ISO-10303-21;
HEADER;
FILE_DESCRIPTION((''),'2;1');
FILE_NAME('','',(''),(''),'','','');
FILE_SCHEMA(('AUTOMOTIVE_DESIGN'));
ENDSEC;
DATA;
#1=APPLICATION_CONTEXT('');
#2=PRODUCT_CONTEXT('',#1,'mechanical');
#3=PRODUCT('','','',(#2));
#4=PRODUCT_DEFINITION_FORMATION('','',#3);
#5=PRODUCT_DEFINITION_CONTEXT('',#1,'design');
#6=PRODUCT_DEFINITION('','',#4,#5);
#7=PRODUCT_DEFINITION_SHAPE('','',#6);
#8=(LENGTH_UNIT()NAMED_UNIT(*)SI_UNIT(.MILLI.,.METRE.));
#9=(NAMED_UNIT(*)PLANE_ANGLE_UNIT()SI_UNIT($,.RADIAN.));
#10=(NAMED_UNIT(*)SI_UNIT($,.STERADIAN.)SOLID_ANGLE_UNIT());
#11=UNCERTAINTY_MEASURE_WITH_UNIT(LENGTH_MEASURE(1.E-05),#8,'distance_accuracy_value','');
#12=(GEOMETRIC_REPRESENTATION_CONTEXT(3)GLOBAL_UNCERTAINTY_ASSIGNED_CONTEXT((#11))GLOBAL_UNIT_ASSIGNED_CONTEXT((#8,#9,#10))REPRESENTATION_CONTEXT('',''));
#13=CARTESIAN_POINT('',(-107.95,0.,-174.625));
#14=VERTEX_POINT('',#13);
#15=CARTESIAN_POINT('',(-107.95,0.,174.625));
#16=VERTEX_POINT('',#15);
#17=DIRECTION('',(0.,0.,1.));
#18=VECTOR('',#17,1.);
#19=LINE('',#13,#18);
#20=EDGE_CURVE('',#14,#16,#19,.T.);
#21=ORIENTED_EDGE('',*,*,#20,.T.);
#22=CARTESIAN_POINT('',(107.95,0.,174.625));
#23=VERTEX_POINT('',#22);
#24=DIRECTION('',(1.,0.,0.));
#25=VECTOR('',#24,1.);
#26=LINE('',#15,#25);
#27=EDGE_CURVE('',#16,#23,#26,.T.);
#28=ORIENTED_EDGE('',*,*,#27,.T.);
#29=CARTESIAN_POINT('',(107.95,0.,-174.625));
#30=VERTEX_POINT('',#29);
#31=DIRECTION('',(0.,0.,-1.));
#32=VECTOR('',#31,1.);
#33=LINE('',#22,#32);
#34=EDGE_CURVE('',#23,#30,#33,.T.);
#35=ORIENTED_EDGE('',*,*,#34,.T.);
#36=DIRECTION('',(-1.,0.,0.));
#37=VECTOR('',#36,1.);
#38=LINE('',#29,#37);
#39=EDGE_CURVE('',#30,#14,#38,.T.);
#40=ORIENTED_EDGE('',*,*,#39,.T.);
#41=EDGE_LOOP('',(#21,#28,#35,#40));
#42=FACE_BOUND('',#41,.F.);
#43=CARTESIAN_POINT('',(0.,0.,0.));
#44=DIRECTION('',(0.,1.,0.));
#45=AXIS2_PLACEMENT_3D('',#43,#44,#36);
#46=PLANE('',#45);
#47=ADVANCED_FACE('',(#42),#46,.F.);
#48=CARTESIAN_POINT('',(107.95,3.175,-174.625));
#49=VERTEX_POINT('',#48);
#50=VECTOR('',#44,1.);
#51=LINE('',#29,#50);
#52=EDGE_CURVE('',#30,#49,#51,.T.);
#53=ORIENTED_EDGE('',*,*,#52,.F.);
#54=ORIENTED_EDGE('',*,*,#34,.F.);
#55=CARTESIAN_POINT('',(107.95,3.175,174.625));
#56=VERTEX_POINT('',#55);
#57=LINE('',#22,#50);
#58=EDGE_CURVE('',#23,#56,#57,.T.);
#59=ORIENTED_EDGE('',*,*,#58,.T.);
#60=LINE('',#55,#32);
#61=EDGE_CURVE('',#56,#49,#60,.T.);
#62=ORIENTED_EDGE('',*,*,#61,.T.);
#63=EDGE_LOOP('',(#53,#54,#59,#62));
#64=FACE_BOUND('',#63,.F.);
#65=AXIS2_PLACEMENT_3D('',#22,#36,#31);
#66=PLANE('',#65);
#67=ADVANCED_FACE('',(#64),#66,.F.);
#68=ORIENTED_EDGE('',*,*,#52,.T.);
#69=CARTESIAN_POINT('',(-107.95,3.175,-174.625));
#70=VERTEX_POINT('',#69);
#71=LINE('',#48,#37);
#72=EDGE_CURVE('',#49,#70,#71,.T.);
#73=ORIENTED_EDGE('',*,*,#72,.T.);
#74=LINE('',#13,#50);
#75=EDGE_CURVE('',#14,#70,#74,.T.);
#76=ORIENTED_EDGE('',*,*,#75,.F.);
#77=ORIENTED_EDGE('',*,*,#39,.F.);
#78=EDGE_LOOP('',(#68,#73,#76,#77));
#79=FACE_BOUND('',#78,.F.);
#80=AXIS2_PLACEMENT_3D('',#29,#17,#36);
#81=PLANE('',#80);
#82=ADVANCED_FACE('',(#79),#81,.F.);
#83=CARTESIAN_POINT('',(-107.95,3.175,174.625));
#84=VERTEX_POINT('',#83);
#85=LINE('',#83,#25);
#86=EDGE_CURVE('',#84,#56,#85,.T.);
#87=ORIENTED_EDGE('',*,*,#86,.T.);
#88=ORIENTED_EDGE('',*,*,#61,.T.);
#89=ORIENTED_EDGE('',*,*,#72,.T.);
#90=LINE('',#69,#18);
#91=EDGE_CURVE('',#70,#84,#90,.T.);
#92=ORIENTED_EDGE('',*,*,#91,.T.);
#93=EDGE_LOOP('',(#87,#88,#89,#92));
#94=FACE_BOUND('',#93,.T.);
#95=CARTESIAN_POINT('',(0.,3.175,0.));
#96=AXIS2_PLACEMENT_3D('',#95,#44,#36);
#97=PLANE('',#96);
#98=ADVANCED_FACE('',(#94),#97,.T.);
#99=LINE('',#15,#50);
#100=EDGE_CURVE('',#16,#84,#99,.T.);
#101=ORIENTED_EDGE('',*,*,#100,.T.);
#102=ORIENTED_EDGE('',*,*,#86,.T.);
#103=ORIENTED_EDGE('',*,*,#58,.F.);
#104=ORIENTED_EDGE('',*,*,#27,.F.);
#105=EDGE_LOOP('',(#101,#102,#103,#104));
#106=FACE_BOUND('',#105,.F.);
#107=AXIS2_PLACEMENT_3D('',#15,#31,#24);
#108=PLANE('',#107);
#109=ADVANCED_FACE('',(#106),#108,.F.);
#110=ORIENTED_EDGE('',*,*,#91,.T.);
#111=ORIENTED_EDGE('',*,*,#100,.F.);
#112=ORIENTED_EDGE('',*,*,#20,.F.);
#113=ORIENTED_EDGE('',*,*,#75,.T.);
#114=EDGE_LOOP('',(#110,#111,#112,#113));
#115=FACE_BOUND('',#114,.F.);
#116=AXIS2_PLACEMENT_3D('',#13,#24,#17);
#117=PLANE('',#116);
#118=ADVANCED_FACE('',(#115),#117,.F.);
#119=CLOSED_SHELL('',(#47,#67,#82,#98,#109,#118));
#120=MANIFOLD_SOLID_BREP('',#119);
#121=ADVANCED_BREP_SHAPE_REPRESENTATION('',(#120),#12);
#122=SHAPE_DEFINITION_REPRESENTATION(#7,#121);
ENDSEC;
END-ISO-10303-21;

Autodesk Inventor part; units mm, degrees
ref_plane "YZ Plane" through (0, 0, 0) normal (1, 0, 0) x (0, 1, 0)
ref_plane "XZ Plane" through (0, 0, 0) normal (0, 1, 0) x (-1, 0, 0)
ref_plane "XY Plane" through (0, 0, 0) normal (0, 0, 1) x (1, 0, 0)
sketch "Sketch1" plane through (0, 0, 0) normal (0, 1, 0) x (-1, 0, 0)
  line L0 (107.95, 174.625) -> (-107.95, 174.625)
  line L1 (-107.95, 174.625) -> (-107.95, -174.625)
  line L2 (-107.95, -174.625) -> (107.95, -174.625)
  line L3 (107.95, -174.625) -> (107.95, 174.625)
  line L4 (107.95, 174.625) -> (-107.95, -174.625) construction
  line L5 (-107.95, 174.625) -> (107.95, -174.625) construction
  point P0 (0, 0)
  dimension "d0" = 215.9
  dimension "d1" = 349.25
extrude "Extrusion1" add sketch "Sketch1" along normal blind 3.175
properties part number "NASA-20-EBOX-LID-REV1-01" material "Polycarbonate, Smoke"
